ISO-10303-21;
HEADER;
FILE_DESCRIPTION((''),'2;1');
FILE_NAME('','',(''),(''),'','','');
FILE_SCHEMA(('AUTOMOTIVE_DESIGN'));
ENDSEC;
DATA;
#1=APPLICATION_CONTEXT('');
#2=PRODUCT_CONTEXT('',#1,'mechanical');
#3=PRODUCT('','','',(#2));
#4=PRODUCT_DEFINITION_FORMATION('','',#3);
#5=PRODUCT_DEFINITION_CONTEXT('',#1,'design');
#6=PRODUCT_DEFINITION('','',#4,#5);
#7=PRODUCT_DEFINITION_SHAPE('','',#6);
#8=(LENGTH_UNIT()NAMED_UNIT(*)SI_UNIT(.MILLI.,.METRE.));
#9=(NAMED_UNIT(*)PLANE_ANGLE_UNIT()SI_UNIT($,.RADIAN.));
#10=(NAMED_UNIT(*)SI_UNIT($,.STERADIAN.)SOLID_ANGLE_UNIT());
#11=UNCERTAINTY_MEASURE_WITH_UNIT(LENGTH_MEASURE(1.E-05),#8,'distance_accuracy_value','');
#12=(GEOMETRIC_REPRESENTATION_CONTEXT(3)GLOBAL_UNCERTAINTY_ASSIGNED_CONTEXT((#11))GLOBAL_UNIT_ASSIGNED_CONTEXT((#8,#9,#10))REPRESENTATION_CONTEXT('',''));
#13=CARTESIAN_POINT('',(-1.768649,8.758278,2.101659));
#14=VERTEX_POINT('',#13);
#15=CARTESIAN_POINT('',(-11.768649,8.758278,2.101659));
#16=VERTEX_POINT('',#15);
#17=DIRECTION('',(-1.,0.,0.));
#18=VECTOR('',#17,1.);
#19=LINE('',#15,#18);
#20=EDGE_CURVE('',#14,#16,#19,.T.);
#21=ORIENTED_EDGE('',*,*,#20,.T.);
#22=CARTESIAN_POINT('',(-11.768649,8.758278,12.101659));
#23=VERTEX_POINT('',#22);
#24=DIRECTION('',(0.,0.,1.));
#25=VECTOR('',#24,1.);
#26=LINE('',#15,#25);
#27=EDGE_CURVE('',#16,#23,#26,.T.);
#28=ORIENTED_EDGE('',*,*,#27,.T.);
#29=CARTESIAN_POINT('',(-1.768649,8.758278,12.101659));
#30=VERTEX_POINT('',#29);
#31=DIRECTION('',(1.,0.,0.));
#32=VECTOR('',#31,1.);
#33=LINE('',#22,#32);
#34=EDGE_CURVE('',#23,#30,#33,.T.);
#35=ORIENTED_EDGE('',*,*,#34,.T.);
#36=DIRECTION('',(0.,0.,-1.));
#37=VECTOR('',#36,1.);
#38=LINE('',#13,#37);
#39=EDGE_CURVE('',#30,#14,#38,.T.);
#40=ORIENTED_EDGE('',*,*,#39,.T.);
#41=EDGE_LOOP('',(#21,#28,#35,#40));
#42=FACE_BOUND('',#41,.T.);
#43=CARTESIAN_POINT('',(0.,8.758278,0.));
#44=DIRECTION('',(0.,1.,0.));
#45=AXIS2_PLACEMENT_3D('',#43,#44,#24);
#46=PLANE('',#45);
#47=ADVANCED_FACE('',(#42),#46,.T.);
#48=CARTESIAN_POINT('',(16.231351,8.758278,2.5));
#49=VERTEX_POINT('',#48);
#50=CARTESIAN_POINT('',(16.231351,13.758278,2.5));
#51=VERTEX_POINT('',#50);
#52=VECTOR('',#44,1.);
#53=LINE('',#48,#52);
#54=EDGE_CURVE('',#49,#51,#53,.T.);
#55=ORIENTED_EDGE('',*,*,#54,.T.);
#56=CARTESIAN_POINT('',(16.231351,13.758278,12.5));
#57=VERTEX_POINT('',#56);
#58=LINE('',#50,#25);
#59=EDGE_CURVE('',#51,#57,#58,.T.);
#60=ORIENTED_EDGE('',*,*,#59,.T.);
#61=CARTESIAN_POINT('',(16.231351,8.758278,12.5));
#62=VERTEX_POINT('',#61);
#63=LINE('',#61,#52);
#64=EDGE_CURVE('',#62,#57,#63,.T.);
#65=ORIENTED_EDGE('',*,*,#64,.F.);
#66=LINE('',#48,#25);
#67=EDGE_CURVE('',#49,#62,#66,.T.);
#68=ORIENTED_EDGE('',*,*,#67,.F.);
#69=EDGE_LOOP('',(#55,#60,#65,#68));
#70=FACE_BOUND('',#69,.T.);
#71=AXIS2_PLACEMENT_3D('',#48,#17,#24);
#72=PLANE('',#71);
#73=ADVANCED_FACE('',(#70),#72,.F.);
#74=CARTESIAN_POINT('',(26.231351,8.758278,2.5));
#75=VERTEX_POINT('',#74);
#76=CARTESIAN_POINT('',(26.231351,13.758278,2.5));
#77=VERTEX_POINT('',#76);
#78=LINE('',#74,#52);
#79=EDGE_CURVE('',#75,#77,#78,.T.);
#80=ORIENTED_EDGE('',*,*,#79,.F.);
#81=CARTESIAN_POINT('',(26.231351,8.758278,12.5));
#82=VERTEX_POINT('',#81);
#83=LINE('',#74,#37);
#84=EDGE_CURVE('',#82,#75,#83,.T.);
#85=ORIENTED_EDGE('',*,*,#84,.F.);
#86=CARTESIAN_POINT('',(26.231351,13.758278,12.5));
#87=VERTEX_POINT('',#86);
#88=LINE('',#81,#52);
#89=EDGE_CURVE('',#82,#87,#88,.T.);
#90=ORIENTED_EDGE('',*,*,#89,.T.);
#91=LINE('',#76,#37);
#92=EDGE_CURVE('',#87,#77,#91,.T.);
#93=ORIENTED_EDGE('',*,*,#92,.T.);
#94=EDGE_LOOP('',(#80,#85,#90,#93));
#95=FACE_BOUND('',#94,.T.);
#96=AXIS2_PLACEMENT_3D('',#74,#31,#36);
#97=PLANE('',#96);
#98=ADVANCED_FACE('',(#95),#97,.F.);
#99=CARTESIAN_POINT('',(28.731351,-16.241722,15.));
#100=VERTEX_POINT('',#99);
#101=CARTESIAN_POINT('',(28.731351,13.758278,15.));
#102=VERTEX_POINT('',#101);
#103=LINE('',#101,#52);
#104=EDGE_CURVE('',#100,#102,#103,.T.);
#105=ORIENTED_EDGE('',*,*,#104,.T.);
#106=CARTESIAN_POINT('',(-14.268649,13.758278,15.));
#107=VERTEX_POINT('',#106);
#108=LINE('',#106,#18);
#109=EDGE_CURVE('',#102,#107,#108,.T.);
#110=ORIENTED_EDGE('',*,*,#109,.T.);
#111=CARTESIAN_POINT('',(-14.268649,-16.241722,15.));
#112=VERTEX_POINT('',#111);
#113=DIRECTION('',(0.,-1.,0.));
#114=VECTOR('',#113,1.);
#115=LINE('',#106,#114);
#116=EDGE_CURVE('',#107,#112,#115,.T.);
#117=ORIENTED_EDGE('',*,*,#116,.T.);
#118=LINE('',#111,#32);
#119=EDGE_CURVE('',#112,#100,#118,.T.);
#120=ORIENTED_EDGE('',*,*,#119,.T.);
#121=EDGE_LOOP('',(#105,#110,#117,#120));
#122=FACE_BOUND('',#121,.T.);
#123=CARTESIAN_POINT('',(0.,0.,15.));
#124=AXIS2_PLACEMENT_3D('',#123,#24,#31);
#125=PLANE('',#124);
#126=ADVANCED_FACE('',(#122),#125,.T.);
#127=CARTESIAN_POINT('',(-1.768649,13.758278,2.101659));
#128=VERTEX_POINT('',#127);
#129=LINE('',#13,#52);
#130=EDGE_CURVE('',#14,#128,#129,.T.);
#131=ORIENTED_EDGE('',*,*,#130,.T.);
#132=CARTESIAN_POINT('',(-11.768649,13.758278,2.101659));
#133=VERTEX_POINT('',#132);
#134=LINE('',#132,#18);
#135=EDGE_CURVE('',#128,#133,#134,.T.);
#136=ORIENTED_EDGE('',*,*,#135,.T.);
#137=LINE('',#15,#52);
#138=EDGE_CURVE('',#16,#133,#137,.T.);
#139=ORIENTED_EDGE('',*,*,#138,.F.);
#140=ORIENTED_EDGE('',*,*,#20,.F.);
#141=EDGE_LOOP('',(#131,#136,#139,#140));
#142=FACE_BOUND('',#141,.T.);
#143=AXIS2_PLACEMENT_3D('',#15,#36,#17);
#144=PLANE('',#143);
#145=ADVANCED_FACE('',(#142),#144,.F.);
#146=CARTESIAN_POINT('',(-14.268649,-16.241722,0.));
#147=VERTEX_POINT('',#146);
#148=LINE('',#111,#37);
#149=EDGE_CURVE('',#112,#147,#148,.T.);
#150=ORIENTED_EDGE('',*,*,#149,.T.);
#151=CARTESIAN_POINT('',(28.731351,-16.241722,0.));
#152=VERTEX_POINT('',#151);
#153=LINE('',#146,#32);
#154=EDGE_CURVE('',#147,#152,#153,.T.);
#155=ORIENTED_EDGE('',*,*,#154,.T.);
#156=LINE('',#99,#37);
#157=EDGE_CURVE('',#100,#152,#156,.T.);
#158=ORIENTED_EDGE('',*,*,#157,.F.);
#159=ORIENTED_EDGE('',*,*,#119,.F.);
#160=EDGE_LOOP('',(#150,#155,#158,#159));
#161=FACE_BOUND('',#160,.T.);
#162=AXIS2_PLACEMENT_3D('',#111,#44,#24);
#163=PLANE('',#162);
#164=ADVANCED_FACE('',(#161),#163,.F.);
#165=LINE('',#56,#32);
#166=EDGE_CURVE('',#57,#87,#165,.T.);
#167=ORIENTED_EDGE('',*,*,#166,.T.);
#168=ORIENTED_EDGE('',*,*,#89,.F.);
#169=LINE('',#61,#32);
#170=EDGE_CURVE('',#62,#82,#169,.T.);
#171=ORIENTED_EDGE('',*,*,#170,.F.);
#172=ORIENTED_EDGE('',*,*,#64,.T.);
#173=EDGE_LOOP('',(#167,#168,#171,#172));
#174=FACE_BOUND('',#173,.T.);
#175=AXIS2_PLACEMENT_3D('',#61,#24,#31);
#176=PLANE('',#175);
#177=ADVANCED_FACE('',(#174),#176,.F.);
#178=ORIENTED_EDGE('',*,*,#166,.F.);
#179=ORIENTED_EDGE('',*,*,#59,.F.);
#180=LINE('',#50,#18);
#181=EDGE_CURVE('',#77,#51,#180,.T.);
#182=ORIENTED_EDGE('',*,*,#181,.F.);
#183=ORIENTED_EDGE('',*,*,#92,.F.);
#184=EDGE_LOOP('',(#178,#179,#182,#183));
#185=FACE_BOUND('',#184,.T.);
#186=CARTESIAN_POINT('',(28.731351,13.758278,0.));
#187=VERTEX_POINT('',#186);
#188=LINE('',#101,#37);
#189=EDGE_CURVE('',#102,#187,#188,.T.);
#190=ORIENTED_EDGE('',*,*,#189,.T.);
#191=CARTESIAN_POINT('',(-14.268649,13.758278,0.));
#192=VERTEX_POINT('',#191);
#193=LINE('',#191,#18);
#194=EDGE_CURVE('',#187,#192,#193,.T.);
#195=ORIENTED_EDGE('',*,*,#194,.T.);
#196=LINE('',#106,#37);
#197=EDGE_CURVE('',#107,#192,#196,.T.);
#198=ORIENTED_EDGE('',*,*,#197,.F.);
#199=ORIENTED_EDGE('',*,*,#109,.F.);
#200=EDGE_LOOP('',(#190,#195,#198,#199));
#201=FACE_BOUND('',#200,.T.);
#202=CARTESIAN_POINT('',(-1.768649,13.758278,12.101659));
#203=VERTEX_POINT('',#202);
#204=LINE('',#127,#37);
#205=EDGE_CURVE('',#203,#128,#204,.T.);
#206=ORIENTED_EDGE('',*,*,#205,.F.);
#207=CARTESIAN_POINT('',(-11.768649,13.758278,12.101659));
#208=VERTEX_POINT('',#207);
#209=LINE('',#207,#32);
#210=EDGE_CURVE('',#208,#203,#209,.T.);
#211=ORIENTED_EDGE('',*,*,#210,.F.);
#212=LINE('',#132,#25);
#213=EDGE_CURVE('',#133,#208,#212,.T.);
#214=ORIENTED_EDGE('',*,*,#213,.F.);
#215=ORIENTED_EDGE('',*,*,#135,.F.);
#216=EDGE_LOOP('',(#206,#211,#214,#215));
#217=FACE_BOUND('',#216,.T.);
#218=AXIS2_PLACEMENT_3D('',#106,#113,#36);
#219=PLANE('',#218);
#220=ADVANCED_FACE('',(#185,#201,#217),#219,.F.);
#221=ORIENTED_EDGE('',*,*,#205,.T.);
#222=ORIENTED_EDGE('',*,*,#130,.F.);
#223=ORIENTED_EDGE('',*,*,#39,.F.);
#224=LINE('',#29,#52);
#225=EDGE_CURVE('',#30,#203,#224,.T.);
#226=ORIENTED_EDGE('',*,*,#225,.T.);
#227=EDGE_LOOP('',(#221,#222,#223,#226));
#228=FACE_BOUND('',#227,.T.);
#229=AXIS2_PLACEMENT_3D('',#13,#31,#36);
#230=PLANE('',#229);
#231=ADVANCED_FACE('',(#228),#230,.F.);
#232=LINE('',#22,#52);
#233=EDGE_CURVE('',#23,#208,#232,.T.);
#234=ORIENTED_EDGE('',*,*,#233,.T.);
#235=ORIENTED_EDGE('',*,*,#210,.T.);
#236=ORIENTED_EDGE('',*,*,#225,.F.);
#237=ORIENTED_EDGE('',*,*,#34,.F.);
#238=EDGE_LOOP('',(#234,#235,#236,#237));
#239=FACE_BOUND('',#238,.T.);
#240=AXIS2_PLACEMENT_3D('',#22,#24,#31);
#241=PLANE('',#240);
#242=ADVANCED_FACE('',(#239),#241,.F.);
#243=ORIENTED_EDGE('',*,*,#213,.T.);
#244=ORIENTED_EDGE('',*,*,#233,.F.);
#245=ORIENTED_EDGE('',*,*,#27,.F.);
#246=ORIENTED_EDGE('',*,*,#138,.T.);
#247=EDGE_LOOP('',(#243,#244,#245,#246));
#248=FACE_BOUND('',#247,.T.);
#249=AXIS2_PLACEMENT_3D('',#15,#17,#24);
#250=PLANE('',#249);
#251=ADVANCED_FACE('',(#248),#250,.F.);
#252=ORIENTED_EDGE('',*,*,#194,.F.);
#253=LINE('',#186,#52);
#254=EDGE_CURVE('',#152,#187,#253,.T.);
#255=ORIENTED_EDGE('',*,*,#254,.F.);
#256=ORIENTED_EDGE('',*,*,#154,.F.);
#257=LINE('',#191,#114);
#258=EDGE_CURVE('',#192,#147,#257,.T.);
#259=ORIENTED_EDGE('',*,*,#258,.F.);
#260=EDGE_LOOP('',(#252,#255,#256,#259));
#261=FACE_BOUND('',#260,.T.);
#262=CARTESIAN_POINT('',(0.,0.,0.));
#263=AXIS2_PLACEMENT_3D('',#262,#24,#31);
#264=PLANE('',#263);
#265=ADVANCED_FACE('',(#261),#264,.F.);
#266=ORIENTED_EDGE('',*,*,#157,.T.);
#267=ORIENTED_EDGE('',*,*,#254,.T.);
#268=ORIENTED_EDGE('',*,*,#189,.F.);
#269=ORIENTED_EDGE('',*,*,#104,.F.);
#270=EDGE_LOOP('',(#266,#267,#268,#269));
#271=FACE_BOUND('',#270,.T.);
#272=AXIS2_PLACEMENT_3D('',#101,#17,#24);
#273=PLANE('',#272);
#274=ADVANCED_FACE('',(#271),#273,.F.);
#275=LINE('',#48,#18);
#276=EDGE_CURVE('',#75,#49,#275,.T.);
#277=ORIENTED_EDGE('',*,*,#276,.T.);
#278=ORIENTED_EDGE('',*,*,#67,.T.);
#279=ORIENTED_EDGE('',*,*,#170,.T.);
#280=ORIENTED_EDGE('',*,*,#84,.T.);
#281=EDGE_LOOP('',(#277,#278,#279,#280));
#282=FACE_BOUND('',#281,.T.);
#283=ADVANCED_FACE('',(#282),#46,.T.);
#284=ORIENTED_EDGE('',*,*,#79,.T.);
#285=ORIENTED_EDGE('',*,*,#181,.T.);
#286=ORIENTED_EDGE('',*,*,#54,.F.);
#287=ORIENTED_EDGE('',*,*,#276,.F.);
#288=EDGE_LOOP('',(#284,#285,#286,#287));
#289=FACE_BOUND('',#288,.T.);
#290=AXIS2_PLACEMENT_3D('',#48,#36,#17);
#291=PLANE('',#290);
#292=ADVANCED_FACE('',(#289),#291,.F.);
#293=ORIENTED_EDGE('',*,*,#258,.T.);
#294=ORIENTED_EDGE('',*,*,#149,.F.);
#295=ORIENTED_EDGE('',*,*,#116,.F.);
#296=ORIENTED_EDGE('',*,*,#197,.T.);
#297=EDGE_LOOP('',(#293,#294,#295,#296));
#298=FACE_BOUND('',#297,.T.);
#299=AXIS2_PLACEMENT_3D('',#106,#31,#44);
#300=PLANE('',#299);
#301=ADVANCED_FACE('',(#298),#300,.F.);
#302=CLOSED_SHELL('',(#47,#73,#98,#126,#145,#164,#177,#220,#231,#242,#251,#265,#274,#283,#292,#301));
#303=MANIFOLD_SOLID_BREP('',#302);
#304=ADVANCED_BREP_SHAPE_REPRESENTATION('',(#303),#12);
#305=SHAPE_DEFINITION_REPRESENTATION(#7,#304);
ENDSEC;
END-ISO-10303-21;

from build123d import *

# Parameters (mm, degrees)
SKETCH1_W           = 43
SKETCH1_H           = 30
BOSS_EXTRUDE1_DEPTH = 15
SKETCH2_W           = 10
SKETCH2_H           = 10
CUT_EXTRUDE1_DEPTH  = 5


with BuildPart() as part:
    # Sketch1 → Boss-Extrude1 (new body)
    with BuildSketch(Plane.XY):
        with Locations((7.231350601, -1.241721854)):
            Rectangle(SKETCH1_W, SKETCH1_H)
    extrude(amount=BOSS_EXTRUDE1_DEPTH)

    # Sketch2 → Cut-Extrude1 (cut)
    with BuildSketch(Plane(origin=(0, 13.758278146, 0), x_dir=(1, 0, 0), z_dir=(0, 1, 0))):
        with Locations((-6.768649399, -7.101659199)):
            Rectangle(SKETCH2_W, SKETCH2_H)
        with Locations((21.231350601, -7.5)):
            Rectangle(SKETCH2_W, SKETCH2_H)
    extrude(amount=-CUT_EXTRUDE1_DEPTH, mode=Mode.SUBTRACT)


solid = part.part
